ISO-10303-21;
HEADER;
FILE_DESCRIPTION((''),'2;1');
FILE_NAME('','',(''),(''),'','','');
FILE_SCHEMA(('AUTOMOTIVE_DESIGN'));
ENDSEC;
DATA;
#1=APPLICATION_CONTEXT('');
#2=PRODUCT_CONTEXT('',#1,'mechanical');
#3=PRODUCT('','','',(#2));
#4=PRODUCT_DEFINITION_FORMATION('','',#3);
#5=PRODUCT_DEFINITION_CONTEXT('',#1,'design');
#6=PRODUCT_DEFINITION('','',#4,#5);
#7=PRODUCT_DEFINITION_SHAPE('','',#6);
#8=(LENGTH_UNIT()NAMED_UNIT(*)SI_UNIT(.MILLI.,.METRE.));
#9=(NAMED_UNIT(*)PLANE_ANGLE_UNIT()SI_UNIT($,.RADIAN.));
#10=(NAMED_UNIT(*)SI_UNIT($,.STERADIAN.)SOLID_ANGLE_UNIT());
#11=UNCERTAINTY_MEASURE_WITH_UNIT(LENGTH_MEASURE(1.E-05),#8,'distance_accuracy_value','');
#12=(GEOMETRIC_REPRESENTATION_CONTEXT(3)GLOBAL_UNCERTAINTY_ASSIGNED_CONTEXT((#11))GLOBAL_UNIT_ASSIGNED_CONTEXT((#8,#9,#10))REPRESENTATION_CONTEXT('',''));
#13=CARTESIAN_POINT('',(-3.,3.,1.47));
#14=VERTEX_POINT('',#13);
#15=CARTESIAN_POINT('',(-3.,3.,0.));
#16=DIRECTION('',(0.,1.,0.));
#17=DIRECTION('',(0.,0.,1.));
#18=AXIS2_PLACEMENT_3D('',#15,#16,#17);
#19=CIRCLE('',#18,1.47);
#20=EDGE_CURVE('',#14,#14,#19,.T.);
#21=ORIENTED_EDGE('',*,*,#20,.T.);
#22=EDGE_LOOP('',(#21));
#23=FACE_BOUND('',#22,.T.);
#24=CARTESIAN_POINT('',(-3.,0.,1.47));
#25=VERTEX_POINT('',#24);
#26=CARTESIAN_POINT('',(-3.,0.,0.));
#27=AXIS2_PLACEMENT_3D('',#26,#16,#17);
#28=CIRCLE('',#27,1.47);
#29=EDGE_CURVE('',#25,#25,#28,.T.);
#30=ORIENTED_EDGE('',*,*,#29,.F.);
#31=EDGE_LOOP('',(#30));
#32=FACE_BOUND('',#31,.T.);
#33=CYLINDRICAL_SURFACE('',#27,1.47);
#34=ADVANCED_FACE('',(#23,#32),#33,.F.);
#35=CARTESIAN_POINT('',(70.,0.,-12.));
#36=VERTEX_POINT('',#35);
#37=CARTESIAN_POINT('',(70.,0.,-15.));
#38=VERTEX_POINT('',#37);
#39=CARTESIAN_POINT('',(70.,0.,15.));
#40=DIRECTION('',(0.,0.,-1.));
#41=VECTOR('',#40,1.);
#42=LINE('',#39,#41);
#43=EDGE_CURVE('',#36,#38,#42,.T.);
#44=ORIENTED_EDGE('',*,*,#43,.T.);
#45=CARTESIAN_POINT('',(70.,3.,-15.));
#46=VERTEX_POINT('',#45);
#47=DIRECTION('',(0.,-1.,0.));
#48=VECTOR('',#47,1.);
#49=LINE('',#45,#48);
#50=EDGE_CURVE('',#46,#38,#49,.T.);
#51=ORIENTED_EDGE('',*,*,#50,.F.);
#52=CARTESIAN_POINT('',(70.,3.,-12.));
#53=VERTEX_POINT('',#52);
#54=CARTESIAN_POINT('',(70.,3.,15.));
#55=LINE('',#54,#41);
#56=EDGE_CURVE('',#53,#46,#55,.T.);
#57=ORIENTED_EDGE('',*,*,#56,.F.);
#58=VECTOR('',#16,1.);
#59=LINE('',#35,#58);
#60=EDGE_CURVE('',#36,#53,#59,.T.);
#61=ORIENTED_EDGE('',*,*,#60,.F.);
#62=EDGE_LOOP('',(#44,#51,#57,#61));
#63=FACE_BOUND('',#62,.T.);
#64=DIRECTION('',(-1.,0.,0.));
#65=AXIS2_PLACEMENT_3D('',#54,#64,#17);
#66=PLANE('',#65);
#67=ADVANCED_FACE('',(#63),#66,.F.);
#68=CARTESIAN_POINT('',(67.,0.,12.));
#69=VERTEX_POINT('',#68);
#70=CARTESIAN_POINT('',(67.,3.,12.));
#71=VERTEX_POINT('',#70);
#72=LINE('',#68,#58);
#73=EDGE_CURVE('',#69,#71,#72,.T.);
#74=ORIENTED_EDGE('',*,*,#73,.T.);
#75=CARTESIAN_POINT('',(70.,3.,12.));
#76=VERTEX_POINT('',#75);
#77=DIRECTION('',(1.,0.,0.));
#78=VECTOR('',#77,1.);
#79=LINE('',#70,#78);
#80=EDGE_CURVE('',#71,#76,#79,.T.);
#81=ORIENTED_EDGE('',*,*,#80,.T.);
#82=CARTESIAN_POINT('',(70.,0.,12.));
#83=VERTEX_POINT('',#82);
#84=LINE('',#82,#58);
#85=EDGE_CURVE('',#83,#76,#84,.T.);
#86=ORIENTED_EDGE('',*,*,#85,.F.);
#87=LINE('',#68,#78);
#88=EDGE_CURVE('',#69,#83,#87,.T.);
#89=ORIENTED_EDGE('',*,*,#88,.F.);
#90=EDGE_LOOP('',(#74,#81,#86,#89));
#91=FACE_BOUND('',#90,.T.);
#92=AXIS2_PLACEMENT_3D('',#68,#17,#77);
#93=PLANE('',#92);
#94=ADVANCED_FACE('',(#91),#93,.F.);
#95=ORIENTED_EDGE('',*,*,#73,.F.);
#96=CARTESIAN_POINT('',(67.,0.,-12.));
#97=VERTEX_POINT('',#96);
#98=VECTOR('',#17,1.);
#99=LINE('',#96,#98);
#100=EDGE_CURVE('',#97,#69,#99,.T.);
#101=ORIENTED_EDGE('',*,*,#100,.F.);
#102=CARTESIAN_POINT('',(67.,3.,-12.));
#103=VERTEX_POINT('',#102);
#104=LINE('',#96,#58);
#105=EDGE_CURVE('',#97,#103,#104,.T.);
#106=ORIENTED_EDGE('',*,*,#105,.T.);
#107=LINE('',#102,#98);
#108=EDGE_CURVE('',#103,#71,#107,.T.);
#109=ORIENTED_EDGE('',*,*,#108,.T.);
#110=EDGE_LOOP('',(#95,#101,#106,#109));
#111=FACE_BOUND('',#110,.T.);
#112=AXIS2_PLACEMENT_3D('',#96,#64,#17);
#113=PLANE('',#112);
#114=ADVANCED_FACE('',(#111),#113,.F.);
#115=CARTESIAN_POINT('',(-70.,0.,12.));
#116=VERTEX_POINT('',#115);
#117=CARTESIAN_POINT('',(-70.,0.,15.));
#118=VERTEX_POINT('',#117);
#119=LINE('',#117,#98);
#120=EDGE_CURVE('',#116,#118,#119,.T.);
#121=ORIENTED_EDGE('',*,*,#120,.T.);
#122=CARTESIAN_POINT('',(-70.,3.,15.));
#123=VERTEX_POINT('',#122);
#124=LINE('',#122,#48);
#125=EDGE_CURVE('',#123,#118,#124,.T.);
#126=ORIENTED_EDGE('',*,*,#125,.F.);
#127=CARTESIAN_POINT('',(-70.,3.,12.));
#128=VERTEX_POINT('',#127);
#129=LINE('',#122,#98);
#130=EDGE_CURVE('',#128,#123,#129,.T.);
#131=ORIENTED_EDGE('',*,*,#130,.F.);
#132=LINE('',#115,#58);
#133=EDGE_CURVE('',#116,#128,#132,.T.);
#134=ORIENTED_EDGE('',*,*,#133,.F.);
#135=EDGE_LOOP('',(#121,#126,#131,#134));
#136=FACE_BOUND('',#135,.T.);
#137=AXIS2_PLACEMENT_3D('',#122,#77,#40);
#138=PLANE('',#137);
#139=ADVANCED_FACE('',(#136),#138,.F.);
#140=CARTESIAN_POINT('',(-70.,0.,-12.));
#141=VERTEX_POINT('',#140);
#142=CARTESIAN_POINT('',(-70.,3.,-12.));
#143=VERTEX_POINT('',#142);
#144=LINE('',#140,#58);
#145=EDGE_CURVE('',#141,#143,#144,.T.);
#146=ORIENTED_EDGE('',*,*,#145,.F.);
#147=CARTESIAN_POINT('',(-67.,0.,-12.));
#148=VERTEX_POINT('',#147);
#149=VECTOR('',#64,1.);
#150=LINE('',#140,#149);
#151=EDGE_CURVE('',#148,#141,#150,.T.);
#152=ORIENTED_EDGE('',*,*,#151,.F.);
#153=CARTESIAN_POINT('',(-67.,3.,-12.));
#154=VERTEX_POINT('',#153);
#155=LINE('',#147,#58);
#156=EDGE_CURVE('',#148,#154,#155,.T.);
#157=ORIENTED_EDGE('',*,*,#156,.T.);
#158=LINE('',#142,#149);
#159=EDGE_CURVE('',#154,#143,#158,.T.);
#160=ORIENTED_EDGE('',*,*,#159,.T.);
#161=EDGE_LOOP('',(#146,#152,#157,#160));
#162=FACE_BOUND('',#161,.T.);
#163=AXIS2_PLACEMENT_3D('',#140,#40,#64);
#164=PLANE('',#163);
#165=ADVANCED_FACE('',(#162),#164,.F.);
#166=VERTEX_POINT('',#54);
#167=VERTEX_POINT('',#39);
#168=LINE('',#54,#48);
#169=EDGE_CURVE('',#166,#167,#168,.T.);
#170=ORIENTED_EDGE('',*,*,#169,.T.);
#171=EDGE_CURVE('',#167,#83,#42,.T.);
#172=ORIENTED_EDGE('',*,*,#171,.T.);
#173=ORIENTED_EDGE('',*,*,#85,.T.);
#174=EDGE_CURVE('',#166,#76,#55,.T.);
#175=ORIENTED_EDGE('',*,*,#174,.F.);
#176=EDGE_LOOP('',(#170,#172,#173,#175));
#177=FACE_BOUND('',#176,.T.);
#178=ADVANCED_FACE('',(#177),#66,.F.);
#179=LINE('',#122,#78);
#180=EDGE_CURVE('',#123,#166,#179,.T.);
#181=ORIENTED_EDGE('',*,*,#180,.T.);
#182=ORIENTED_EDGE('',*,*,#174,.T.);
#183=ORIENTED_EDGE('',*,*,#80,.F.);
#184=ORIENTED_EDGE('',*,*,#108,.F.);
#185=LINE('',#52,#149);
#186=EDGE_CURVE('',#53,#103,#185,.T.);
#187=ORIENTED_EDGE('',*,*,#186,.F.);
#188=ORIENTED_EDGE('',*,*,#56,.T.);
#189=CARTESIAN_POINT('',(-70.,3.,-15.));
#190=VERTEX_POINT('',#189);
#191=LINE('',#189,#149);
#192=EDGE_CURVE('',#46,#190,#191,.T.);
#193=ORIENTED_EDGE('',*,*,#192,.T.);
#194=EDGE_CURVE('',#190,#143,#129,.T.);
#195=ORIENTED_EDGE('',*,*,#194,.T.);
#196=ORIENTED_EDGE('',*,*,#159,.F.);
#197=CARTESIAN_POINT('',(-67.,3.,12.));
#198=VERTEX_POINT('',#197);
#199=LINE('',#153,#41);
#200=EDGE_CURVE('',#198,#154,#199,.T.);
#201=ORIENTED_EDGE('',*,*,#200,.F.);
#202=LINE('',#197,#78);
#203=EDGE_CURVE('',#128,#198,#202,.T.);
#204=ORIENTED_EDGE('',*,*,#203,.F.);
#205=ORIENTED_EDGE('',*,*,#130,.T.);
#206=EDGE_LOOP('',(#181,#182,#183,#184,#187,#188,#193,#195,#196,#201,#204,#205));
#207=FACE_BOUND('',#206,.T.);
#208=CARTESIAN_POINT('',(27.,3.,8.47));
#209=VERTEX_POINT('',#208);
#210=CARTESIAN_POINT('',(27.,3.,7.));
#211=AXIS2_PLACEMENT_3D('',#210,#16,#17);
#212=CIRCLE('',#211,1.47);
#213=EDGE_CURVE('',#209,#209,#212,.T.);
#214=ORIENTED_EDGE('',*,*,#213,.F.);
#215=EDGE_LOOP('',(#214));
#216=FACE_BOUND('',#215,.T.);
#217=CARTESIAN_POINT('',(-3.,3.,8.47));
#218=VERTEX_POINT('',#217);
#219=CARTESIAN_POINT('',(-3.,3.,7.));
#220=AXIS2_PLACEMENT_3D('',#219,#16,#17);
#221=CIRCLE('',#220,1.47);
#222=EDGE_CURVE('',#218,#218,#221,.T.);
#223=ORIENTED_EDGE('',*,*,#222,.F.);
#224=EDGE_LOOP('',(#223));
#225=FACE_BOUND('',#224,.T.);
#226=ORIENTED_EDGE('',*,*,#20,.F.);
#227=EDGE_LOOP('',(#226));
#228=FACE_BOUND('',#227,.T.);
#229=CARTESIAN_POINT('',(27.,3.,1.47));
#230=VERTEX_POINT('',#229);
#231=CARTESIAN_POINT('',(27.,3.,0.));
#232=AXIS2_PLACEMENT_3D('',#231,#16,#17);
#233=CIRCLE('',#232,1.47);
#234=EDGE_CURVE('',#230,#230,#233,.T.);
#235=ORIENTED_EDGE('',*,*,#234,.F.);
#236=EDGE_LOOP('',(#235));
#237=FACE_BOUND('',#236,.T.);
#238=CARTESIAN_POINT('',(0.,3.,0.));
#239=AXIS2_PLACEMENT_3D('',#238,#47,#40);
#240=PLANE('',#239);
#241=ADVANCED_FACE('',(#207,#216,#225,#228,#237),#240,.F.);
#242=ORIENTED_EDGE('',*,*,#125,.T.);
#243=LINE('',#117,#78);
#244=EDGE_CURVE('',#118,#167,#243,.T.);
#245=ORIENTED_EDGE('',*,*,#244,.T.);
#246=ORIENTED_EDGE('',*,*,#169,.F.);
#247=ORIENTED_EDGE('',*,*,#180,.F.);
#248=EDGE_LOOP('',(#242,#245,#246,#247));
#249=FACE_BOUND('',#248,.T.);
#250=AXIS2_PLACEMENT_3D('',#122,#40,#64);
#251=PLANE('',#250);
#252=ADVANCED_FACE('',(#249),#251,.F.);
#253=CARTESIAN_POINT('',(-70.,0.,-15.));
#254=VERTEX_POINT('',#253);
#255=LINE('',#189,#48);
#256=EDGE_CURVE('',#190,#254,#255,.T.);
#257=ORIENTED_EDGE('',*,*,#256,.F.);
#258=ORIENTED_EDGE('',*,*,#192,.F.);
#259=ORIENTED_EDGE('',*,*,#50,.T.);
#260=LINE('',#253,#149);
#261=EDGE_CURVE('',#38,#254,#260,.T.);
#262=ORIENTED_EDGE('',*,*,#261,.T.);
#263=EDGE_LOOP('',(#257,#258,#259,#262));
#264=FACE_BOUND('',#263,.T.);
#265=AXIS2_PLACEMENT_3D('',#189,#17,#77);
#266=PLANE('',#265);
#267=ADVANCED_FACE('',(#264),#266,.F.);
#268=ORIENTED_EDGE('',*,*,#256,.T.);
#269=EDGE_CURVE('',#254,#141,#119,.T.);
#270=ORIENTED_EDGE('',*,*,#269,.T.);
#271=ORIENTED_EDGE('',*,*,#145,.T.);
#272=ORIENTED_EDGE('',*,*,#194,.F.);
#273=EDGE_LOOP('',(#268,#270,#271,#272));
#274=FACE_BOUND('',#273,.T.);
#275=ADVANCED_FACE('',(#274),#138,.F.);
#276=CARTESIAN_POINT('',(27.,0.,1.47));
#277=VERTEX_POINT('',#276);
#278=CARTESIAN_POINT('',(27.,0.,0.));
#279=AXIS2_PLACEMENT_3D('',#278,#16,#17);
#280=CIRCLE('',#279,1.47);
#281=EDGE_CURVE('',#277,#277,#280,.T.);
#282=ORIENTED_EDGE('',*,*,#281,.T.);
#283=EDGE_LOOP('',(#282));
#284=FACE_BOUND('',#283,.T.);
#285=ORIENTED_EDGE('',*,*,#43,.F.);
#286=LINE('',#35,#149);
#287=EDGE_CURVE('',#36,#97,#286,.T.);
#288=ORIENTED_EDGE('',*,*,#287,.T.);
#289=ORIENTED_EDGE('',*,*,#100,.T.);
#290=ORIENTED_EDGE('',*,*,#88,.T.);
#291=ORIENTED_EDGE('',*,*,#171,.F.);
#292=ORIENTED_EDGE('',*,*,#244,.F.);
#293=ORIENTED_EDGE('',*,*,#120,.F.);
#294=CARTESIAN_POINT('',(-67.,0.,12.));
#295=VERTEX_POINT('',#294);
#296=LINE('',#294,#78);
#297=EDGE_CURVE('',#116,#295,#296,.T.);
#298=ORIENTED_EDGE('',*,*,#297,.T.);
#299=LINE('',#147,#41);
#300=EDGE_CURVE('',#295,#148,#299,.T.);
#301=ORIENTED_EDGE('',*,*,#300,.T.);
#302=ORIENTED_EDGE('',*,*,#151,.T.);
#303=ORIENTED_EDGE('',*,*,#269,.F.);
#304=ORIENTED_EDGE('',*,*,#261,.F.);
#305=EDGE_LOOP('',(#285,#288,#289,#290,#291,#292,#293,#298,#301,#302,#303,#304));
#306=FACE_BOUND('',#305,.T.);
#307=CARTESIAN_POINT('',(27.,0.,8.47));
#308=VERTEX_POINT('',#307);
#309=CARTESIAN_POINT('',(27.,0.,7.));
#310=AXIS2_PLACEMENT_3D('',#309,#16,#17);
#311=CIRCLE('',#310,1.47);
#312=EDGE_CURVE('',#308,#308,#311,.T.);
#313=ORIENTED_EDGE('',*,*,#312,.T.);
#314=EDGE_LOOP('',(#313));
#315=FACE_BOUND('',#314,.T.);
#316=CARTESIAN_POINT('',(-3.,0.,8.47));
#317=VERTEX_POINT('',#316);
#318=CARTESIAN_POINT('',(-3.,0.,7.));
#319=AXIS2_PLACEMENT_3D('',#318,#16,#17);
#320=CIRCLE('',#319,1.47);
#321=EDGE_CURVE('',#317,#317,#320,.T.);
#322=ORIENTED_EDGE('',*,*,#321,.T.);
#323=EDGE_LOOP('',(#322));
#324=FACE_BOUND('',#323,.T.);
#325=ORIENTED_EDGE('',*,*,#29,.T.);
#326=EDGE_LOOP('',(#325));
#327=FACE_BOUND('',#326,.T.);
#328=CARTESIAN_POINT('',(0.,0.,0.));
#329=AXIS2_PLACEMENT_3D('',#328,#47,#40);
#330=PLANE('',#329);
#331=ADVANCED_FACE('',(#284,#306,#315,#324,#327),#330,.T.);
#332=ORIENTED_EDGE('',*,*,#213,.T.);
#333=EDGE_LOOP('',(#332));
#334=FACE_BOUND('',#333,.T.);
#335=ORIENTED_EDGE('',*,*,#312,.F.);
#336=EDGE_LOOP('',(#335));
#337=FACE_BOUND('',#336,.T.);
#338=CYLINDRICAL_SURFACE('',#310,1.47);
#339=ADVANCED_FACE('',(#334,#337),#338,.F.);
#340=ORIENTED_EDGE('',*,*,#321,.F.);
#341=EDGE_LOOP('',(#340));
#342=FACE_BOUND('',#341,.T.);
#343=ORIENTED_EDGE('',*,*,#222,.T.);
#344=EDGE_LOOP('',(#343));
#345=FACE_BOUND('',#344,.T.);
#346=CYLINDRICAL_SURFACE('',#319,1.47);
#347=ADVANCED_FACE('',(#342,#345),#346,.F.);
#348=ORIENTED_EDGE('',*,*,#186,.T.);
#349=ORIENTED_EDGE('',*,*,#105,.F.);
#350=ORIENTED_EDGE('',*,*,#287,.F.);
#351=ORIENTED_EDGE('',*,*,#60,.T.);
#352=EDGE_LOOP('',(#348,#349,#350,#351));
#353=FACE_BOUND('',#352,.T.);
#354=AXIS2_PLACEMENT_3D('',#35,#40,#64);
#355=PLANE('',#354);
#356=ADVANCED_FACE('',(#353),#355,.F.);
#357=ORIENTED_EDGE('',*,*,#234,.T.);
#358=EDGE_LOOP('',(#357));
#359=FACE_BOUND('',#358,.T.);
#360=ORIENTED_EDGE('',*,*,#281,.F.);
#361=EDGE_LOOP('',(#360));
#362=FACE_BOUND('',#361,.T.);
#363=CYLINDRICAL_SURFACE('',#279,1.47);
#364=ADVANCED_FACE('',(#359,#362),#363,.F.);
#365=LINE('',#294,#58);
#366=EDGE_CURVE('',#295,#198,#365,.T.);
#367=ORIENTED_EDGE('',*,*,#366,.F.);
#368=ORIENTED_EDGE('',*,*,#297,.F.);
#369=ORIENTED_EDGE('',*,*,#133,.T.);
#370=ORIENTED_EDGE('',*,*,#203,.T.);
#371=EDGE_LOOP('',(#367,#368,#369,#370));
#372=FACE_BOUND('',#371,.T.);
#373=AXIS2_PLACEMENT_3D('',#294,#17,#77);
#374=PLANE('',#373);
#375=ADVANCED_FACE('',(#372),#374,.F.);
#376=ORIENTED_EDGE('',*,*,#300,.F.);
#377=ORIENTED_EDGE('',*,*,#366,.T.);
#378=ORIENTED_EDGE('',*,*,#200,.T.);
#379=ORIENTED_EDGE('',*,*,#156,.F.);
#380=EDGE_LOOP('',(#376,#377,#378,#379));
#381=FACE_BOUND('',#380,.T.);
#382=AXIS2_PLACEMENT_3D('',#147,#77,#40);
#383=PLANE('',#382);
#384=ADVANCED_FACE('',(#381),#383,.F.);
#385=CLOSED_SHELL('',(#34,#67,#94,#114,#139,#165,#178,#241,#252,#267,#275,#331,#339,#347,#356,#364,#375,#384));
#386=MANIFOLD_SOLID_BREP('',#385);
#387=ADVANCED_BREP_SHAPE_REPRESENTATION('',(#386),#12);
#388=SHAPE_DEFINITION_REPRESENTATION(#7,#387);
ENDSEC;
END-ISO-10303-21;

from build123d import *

# Parameters (mm, degrees)
SKETCH1_W           = 140
SKETCH1_H           = 30
BOSS_EXTRUDE1_DEPTH = 3
SKETCH2_W           = 3
SKETCH2_H           = 24
CUT_EXTRUDE1_DEPTH  = 3
SKETCH3_R           = 1.47
CUT_EXTRUDE2_DEPTH  = 3


with BuildPart() as part:
    # Sketch1 → Boss-Extrude1 (new body)
    with BuildSketch(Plane(origin=(0, 0, 0), x_dir=(1, 0, 0), z_dir=(0, 1, 0))):
        Rectangle(SKETCH1_W, SKETCH1_H)
    extrude(amount=BOSS_EXTRUDE1_DEPTH)

    # Sketch2 → Cut-Extrude1 (cut)
    with BuildSketch(Plane(origin=(0, 3, 0), x_dir=(1, 0, 0), z_dir=(0, 1, 0))):
        with Locations((-68.5, 0)):
            Rectangle(SKETCH2_W, SKETCH2_H)
        with Locations((68.5, 0)):
            Rectangle(SKETCH2_W, SKETCH2_H)
    extrude(amount=-CUT_EXTRUDE1_DEPTH, mode=Mode.SUBTRACT)

    # Sketch3 → Cut-Extrude2 (cut)
    with BuildSketch(Plane(origin=(0, 3, 0), x_dir=(1, 0, 0), z_dir=(0, 1, 0))):
        with Locations((-3, 0)):
            Circle(SKETCH3_R)
        with Locations((-3, -7)):
            Circle(SKETCH3_R)
        with Locations((27, 0)):
            Circle(SKETCH3_R)
        with Locations((27, -7)):
            Circle(SKETCH3_R)
    extrude(amount=-CUT_EXTRUDE2_DEPTH, mode=Mode.SUBTRACT)


solid = part.part
